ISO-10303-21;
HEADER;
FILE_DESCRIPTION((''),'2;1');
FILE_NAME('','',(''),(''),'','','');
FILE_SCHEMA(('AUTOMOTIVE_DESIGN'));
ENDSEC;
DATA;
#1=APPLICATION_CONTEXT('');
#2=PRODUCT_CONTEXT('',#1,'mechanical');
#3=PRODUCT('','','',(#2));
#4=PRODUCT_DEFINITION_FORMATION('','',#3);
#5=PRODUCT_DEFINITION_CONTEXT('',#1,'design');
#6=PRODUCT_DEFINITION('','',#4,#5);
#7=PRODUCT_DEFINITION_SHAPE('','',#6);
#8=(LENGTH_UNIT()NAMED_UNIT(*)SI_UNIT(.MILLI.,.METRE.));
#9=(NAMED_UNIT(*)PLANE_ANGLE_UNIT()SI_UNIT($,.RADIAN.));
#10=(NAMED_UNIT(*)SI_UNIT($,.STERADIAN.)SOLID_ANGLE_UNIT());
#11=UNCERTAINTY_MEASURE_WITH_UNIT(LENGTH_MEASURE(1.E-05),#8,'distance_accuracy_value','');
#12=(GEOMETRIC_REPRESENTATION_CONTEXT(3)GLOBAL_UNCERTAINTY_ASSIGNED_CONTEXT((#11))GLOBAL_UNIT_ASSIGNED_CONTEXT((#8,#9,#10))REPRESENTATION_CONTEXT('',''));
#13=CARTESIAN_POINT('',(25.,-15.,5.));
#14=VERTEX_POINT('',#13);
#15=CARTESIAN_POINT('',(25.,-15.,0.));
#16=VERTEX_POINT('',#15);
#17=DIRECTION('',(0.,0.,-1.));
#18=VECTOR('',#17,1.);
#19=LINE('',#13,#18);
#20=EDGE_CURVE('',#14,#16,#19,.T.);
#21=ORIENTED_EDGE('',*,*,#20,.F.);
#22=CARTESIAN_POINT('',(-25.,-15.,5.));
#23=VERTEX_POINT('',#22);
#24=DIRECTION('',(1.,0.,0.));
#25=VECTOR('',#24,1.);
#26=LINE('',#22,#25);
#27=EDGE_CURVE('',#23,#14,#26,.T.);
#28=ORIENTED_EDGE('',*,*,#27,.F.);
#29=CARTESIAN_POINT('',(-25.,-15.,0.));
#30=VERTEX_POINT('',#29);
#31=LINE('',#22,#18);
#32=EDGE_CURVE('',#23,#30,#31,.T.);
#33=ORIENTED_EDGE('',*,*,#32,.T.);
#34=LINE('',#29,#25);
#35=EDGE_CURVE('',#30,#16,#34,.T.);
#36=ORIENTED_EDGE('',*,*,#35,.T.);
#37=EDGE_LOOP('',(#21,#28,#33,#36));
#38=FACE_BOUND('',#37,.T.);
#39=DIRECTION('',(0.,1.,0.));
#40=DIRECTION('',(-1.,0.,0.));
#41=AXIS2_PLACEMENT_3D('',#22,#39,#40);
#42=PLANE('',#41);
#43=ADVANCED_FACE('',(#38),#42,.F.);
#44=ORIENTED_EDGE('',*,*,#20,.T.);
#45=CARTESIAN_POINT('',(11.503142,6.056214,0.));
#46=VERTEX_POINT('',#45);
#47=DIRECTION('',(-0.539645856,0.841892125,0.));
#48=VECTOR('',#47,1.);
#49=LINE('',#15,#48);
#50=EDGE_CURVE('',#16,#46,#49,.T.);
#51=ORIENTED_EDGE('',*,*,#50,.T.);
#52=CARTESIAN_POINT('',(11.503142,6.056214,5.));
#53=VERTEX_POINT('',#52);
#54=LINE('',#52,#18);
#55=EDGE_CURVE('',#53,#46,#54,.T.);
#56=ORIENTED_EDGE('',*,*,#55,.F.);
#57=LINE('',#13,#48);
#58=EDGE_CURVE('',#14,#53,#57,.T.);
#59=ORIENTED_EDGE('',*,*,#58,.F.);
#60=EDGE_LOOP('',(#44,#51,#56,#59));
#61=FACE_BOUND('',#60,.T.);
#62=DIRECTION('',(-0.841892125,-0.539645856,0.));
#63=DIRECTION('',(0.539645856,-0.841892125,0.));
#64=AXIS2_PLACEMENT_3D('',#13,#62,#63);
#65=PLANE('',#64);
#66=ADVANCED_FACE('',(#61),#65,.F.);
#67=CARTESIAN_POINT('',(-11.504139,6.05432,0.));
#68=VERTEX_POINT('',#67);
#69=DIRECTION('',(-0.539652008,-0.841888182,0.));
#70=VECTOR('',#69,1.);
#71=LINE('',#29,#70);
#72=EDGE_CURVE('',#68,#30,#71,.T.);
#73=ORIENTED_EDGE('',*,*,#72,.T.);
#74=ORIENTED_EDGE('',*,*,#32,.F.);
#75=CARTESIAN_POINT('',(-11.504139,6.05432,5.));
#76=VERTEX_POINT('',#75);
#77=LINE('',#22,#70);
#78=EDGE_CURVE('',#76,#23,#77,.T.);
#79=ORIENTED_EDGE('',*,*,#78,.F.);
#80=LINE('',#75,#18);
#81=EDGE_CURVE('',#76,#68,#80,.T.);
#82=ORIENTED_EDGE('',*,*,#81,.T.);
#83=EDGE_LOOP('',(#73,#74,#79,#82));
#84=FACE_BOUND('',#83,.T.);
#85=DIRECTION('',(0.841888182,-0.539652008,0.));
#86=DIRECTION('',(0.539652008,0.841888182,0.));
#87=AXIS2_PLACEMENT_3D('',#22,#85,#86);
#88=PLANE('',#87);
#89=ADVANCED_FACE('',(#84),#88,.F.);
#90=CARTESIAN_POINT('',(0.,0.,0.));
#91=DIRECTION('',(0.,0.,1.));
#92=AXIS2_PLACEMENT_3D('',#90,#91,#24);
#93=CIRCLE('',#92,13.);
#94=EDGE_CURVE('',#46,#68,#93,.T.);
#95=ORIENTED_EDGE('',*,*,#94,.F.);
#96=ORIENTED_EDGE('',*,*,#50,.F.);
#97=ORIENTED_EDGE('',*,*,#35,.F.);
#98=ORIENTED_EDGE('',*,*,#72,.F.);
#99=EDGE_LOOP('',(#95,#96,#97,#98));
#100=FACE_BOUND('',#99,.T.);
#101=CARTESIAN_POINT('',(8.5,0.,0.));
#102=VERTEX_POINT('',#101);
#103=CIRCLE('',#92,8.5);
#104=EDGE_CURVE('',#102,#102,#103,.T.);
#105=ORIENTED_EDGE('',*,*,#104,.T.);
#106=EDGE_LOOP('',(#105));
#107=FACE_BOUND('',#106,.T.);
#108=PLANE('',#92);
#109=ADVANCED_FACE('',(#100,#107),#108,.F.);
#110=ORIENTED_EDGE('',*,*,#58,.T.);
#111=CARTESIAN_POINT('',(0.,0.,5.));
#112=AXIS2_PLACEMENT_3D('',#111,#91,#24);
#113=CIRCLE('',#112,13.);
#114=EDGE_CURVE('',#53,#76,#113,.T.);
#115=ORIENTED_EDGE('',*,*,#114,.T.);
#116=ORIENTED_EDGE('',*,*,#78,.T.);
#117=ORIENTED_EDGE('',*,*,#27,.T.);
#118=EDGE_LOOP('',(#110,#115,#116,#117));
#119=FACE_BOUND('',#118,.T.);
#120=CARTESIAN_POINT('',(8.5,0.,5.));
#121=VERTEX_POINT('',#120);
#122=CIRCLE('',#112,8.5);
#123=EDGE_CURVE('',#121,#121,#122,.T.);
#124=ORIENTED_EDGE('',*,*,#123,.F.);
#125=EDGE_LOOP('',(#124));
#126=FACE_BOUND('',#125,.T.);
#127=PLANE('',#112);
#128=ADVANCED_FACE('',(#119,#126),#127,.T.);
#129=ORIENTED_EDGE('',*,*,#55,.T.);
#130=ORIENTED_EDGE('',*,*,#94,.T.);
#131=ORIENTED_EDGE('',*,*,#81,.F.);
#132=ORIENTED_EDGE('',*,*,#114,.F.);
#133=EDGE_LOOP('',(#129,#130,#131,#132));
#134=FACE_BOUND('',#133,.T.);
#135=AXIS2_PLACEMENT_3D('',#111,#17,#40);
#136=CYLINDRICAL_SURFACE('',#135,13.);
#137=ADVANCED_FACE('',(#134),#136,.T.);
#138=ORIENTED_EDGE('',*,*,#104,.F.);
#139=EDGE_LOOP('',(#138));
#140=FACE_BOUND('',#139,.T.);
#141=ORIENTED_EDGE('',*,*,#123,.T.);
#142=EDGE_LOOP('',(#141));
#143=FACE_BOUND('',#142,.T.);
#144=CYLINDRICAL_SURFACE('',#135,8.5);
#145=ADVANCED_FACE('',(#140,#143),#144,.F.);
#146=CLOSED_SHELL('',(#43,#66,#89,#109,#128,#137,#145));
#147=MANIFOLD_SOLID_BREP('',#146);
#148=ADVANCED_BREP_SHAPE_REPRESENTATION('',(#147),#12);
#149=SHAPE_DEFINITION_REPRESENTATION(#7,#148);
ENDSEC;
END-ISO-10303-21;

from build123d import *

# Parameters (mm, degrees)
SKETCH1_R           = 8.5
BOSS_EXTRUDE1_DEPTH = 5


with BuildPart() as part:
    # Sketch1 → Boss-Extrude1 (new body)
    with BuildSketch(Plane.XY):
        with BuildLine():
            Line((-25, -15), (25, -15))
            Line((25, -15), (11.503141901, 6.056213866))
            ThreePointArc((11.503141901, 6.056213866), (-0.001070183, 12.999999956), (-11.504138862, 6.054319866))
            Line((-11.504138862, 6.054319866), (-25, -15))
        make_face()
        Circle(SKETCH1_R, mode=Mode.SUBTRACT)
    extrude(amount=BOSS_EXTRUDE1_DEPTH)


solid = part.part
